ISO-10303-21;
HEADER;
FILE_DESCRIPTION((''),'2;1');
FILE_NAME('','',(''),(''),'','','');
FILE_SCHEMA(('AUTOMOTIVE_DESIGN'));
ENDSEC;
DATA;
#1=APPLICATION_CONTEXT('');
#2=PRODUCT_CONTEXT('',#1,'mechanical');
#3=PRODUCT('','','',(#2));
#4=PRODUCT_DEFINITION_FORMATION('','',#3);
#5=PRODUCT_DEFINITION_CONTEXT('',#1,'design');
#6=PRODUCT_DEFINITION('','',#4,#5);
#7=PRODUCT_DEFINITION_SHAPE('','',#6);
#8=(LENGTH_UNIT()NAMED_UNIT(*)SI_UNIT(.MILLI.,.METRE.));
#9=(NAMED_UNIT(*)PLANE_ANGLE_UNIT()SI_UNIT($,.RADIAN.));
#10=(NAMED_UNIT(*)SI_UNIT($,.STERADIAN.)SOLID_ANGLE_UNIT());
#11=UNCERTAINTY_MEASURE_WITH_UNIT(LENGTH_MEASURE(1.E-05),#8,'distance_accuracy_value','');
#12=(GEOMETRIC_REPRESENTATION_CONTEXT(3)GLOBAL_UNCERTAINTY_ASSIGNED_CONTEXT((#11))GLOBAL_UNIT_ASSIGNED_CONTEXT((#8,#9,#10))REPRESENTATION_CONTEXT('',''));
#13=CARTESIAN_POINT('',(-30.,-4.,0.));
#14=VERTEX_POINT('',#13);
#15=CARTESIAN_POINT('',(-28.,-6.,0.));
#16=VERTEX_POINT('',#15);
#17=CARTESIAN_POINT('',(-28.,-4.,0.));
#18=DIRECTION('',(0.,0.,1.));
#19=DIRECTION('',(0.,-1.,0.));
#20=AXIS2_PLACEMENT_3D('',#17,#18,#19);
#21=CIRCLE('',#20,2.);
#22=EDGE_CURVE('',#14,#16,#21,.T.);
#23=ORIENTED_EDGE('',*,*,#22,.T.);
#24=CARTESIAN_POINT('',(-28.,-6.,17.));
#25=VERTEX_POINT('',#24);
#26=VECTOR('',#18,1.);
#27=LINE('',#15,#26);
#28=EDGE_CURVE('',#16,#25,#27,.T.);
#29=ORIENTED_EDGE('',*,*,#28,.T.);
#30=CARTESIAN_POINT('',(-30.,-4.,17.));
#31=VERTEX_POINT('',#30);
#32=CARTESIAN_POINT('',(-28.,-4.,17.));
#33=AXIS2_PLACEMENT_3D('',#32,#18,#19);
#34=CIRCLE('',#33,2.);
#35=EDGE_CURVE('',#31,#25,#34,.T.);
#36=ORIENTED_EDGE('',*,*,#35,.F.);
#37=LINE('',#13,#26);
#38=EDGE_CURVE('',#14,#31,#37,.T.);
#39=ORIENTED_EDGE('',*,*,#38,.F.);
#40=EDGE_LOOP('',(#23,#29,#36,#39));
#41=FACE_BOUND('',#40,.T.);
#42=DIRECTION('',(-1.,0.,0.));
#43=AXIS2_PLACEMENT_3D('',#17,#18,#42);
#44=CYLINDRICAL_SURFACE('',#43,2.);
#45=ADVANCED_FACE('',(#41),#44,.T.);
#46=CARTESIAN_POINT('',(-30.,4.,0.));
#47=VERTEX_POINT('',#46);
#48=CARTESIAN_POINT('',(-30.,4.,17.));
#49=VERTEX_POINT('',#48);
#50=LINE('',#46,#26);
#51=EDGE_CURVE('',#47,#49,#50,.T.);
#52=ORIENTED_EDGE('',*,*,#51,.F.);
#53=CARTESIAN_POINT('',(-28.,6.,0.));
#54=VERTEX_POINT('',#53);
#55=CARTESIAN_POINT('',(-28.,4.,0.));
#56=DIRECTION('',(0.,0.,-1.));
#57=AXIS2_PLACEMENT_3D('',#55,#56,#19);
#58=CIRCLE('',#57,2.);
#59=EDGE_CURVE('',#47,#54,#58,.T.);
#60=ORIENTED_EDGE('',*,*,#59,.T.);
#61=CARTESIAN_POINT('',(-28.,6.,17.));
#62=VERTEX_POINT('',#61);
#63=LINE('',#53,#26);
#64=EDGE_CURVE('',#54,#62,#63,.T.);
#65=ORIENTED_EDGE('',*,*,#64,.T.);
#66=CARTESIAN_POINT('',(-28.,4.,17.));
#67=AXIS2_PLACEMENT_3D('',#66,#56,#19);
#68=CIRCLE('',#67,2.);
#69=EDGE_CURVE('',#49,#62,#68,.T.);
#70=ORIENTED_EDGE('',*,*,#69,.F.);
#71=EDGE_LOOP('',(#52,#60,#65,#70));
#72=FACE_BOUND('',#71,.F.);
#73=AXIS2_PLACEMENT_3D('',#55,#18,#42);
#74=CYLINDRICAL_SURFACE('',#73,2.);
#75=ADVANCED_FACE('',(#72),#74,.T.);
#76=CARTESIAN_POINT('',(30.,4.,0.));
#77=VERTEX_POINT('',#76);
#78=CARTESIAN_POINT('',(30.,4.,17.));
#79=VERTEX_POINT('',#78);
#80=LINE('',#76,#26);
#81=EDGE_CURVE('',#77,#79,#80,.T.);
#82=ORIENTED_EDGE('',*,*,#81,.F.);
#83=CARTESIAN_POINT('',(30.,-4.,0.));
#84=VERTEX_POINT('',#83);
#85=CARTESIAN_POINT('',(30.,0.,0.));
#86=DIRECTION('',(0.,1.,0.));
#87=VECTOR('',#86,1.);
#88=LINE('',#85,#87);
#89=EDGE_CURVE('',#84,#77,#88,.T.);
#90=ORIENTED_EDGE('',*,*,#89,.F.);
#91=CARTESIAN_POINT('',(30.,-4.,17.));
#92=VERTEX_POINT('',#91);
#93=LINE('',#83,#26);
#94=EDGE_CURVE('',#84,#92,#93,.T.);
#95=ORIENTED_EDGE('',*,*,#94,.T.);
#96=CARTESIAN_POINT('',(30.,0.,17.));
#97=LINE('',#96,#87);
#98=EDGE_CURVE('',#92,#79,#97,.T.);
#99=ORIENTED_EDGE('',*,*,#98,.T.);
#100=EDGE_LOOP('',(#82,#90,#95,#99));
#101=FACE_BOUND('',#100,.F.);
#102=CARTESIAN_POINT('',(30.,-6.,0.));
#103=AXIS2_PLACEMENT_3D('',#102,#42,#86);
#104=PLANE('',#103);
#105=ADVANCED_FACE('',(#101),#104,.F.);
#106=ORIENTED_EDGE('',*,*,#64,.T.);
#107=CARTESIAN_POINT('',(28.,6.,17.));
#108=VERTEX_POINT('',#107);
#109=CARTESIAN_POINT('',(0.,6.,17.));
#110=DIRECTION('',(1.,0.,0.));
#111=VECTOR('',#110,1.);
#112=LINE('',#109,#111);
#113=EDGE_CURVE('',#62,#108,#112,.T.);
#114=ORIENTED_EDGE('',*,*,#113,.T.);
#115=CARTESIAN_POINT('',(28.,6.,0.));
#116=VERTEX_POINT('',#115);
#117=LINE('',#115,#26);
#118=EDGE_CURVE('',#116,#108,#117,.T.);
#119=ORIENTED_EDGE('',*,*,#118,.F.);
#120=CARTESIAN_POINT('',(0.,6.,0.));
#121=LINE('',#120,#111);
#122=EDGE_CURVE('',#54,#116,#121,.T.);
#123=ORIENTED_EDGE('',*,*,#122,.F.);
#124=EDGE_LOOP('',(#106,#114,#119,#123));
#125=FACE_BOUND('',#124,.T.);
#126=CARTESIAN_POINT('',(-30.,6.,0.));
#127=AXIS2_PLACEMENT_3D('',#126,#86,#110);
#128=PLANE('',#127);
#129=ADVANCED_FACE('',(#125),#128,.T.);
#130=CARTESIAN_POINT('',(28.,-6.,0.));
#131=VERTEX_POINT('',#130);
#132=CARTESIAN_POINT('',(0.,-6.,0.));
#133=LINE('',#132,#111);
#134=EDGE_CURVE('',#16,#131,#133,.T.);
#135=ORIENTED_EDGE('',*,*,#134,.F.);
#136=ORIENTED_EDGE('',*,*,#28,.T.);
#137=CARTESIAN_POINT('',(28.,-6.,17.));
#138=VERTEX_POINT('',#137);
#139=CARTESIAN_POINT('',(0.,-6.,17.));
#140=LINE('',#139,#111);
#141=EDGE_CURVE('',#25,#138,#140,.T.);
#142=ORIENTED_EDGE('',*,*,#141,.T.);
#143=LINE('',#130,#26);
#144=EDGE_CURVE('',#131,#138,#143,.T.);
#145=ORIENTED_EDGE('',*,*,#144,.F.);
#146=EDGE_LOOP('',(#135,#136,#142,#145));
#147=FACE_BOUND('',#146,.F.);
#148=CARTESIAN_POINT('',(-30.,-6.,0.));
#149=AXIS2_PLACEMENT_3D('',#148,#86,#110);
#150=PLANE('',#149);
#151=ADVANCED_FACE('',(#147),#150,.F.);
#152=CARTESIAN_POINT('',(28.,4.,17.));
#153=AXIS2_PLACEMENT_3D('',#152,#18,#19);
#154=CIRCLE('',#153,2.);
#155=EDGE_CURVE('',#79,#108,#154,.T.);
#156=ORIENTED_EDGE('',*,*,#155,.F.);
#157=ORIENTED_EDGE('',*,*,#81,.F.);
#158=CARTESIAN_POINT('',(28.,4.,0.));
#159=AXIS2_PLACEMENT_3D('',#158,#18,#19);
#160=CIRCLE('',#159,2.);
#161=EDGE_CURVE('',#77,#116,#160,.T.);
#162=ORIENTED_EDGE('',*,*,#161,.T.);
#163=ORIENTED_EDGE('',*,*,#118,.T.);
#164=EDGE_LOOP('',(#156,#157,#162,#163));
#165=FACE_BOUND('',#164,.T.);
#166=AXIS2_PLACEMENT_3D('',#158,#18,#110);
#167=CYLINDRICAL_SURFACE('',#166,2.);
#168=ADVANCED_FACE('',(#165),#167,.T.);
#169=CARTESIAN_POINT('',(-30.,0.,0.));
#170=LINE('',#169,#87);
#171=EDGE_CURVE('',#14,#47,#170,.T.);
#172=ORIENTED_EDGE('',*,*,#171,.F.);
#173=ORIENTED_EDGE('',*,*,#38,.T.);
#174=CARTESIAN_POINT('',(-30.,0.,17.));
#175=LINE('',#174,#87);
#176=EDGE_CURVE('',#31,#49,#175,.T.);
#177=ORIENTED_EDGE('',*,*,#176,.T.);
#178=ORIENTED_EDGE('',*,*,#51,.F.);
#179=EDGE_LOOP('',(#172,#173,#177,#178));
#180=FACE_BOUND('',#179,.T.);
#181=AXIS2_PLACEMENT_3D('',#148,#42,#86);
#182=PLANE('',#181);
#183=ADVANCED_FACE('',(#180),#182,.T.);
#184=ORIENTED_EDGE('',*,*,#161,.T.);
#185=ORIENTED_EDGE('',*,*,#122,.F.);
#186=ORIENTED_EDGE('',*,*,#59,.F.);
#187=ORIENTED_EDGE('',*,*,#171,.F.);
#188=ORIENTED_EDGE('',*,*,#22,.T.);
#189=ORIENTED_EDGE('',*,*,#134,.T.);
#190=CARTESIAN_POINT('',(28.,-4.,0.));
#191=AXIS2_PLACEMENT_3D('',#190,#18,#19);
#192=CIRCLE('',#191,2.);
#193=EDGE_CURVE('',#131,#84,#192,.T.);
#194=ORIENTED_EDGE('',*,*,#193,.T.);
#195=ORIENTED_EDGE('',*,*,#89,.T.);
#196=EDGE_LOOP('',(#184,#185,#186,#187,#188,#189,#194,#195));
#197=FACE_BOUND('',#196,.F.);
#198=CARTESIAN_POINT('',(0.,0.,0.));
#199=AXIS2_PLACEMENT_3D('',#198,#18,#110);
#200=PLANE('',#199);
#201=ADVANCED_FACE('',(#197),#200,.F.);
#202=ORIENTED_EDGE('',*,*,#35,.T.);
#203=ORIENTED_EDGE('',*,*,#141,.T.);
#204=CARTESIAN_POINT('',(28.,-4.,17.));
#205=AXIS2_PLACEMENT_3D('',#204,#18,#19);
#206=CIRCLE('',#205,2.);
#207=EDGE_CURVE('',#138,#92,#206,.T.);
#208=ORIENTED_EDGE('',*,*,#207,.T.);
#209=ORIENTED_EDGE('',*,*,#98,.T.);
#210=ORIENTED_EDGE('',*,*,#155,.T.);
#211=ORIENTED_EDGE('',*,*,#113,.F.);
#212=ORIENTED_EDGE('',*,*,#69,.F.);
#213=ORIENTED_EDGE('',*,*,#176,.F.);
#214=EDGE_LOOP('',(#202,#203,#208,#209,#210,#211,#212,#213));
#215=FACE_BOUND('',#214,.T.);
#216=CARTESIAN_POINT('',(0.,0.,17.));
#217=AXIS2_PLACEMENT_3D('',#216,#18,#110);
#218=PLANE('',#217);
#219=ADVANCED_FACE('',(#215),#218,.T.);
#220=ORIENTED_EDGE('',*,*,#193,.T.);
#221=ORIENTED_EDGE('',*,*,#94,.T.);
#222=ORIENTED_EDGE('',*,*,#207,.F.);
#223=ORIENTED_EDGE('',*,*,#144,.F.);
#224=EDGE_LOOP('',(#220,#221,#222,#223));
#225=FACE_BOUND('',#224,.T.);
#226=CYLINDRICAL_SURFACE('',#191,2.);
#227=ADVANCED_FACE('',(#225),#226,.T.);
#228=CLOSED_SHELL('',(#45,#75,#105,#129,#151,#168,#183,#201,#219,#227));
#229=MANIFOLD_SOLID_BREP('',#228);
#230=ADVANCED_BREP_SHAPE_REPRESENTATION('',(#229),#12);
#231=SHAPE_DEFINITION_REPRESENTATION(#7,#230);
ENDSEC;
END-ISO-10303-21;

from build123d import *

# Parameters (mm, degrees)
SKETCH_W  = 60
SKETCH_H  = 12
PAD_DEPTH = 17
FILLET_R  = 2


with BuildPart() as part:
    # Sketch → Pad (new body)
    with BuildSketch(Plane.XY):
        Rectangle(SKETCH_W, SKETCH_H)
    extrude(amount=PAD_DEPTH)

    # Fillet
    fillet_edges = [part.edges().sort_by_distance(p)[0] for p in [
        (30, -6, 8.5),
        (-30, -6, 8.5),
        (30, 6, 8.5),
        (-30, 6, 8.5),
    ]]
    fillet(fillet_edges, radius=FILLET_R)


solid = part.part
